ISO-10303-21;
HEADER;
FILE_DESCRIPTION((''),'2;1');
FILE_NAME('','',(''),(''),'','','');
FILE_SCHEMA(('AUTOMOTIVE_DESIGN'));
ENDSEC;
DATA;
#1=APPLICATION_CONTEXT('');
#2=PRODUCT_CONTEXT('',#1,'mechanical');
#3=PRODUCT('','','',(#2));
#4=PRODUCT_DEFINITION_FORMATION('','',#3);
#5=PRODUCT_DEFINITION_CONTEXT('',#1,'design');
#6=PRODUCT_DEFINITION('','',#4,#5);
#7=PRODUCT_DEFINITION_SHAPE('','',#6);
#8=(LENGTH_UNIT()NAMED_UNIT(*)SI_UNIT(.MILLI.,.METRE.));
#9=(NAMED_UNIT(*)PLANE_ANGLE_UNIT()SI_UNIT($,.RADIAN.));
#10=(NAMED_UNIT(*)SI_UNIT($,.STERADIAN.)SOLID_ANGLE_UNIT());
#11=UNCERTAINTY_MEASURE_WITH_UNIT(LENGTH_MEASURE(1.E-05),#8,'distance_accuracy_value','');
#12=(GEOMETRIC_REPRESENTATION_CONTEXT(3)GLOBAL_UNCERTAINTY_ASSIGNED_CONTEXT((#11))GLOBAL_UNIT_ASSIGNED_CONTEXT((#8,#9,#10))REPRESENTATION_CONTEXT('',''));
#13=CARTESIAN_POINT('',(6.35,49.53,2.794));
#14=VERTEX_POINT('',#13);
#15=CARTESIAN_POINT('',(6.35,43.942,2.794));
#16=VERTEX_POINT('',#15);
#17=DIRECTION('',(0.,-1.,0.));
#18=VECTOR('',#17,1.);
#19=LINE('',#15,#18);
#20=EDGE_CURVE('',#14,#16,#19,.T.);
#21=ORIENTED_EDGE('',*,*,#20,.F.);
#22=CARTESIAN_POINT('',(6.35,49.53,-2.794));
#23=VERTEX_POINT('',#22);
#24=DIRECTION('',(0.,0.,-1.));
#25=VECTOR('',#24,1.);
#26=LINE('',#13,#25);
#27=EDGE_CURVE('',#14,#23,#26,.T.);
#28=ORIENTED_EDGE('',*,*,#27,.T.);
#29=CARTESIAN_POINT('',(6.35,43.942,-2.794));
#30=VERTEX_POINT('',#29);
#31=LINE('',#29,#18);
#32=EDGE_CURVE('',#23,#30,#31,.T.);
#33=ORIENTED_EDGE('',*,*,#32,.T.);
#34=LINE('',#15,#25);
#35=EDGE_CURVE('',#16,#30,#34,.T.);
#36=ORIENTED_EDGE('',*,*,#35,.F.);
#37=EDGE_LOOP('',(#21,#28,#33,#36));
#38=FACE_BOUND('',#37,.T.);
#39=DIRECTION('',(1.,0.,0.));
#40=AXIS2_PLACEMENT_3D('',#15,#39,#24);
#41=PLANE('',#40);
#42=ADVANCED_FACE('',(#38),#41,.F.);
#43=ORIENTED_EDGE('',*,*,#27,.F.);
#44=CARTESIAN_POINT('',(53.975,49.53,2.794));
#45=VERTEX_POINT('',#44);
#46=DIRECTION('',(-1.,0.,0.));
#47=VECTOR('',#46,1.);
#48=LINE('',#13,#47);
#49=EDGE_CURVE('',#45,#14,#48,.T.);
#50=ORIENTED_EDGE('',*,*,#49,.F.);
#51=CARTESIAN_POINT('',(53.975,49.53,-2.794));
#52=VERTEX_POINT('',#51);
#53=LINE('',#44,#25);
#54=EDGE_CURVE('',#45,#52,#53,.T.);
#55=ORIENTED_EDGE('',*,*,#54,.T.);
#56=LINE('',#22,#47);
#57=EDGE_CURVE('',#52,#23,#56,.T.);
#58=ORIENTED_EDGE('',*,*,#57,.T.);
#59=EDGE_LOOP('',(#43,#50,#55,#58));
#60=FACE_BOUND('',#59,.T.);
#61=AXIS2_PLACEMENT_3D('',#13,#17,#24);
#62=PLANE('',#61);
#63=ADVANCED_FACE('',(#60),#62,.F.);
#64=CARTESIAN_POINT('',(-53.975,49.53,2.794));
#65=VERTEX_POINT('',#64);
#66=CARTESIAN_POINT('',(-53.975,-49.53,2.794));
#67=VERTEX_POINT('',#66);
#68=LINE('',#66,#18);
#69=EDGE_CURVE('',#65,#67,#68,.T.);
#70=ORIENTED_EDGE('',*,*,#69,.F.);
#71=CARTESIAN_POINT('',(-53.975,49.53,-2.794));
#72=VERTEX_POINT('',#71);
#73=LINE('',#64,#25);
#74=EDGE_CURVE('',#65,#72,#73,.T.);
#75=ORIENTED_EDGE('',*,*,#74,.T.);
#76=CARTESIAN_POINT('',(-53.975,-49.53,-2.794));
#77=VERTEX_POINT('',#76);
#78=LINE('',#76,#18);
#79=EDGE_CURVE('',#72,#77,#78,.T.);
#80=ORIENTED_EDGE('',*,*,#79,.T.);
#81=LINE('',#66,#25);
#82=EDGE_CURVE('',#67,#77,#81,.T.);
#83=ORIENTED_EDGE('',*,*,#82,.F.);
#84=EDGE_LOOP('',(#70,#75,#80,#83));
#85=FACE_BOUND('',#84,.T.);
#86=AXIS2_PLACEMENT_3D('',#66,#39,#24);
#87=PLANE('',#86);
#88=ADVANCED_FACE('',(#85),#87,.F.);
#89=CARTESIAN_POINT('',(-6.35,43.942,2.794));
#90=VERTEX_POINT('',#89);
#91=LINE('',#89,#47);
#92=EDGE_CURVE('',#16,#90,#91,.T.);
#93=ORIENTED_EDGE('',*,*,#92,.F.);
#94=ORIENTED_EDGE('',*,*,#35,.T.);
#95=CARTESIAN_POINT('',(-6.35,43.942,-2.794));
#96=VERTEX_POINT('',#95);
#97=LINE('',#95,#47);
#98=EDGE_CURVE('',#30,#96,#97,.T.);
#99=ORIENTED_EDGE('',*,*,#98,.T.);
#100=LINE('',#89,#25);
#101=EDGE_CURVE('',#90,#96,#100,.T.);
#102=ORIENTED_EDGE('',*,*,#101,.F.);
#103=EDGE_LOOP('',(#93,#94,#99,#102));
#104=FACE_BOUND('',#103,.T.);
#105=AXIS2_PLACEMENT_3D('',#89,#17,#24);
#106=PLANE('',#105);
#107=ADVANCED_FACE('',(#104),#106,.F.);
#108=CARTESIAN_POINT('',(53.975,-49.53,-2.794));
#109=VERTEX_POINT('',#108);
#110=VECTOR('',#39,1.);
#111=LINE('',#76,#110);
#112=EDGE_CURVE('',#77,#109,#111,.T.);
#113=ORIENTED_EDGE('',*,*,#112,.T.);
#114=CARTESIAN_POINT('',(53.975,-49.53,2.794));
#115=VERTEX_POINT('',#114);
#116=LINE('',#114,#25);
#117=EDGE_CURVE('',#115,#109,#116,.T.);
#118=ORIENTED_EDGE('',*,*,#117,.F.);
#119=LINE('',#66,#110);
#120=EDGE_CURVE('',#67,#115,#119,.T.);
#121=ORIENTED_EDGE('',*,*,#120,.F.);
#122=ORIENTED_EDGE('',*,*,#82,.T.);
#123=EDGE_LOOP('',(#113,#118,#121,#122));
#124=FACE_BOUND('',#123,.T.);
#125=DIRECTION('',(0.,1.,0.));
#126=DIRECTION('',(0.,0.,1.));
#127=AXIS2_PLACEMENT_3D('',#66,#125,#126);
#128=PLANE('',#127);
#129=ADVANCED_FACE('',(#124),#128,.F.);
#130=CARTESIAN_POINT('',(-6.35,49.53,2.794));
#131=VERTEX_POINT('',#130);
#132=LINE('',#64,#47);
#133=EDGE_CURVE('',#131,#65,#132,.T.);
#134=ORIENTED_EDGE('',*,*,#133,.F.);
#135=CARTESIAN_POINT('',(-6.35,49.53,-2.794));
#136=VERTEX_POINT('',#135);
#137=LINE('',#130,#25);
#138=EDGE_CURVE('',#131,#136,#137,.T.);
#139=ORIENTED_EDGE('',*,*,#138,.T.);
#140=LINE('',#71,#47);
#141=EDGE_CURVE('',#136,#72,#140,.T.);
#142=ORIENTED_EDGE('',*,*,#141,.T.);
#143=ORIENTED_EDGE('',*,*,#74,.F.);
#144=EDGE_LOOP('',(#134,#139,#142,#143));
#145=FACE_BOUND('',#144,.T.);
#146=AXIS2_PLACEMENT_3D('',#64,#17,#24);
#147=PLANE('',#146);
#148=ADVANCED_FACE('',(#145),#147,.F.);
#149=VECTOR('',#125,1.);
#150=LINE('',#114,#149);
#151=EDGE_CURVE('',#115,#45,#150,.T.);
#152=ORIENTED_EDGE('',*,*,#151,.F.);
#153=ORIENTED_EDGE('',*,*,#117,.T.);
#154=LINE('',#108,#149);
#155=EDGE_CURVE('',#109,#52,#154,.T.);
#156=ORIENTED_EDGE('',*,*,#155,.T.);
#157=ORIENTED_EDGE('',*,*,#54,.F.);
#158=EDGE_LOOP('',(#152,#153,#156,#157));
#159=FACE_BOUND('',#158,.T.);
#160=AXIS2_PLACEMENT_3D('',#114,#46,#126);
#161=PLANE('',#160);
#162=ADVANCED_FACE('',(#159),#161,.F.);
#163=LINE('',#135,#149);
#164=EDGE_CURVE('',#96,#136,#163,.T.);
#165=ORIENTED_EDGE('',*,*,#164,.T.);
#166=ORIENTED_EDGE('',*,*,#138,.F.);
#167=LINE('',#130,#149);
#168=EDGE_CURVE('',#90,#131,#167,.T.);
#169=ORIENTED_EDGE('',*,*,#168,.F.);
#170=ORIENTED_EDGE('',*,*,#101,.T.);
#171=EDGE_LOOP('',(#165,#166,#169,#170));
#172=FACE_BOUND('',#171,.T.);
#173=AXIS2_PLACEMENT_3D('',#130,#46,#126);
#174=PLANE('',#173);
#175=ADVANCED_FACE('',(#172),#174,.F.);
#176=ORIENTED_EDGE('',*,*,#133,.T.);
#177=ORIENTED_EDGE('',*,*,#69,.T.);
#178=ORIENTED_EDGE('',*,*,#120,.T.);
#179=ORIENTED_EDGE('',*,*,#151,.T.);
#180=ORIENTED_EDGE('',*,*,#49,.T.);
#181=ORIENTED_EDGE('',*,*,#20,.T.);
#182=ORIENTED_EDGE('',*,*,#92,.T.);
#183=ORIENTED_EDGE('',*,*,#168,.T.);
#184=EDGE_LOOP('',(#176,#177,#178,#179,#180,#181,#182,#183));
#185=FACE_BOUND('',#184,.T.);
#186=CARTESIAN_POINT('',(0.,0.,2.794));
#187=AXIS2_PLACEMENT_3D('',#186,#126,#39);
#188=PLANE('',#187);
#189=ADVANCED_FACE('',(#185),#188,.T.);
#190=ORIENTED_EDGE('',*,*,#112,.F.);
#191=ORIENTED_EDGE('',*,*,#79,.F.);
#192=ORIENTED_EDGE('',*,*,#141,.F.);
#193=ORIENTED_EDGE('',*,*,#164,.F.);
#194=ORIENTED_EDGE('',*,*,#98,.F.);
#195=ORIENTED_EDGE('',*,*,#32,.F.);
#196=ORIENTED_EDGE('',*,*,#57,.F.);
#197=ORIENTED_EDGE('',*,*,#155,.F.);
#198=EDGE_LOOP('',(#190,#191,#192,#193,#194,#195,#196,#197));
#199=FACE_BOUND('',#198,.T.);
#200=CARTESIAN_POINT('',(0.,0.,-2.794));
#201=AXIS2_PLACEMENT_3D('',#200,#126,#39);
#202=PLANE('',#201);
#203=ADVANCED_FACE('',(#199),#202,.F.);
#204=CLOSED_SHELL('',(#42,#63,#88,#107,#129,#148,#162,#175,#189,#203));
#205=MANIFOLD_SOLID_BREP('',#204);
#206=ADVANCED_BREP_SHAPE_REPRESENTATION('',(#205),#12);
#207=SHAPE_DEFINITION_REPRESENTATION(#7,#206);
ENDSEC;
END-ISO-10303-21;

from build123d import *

# Parameters (mm, degrees)
BOSS_EXTRUDE1_DEPTH = 2.794


with BuildPart() as part:
    # Sketch1 → Boss-Extrude1 (new, symmetric)
    with BuildSketch(Plane.XY):
        Polygon((-6.35, 49.53), (-6.35, 43.942), (6.35, 43.942), (6.35, 49.53), (53.975, 49.53), (53.975, -49.53), (-53.975, -49.53), (-53.975, 49.53), align=None)
    extrude(amount=BOSS_EXTRUDE1_DEPTH, both=True)


solid = part.part
